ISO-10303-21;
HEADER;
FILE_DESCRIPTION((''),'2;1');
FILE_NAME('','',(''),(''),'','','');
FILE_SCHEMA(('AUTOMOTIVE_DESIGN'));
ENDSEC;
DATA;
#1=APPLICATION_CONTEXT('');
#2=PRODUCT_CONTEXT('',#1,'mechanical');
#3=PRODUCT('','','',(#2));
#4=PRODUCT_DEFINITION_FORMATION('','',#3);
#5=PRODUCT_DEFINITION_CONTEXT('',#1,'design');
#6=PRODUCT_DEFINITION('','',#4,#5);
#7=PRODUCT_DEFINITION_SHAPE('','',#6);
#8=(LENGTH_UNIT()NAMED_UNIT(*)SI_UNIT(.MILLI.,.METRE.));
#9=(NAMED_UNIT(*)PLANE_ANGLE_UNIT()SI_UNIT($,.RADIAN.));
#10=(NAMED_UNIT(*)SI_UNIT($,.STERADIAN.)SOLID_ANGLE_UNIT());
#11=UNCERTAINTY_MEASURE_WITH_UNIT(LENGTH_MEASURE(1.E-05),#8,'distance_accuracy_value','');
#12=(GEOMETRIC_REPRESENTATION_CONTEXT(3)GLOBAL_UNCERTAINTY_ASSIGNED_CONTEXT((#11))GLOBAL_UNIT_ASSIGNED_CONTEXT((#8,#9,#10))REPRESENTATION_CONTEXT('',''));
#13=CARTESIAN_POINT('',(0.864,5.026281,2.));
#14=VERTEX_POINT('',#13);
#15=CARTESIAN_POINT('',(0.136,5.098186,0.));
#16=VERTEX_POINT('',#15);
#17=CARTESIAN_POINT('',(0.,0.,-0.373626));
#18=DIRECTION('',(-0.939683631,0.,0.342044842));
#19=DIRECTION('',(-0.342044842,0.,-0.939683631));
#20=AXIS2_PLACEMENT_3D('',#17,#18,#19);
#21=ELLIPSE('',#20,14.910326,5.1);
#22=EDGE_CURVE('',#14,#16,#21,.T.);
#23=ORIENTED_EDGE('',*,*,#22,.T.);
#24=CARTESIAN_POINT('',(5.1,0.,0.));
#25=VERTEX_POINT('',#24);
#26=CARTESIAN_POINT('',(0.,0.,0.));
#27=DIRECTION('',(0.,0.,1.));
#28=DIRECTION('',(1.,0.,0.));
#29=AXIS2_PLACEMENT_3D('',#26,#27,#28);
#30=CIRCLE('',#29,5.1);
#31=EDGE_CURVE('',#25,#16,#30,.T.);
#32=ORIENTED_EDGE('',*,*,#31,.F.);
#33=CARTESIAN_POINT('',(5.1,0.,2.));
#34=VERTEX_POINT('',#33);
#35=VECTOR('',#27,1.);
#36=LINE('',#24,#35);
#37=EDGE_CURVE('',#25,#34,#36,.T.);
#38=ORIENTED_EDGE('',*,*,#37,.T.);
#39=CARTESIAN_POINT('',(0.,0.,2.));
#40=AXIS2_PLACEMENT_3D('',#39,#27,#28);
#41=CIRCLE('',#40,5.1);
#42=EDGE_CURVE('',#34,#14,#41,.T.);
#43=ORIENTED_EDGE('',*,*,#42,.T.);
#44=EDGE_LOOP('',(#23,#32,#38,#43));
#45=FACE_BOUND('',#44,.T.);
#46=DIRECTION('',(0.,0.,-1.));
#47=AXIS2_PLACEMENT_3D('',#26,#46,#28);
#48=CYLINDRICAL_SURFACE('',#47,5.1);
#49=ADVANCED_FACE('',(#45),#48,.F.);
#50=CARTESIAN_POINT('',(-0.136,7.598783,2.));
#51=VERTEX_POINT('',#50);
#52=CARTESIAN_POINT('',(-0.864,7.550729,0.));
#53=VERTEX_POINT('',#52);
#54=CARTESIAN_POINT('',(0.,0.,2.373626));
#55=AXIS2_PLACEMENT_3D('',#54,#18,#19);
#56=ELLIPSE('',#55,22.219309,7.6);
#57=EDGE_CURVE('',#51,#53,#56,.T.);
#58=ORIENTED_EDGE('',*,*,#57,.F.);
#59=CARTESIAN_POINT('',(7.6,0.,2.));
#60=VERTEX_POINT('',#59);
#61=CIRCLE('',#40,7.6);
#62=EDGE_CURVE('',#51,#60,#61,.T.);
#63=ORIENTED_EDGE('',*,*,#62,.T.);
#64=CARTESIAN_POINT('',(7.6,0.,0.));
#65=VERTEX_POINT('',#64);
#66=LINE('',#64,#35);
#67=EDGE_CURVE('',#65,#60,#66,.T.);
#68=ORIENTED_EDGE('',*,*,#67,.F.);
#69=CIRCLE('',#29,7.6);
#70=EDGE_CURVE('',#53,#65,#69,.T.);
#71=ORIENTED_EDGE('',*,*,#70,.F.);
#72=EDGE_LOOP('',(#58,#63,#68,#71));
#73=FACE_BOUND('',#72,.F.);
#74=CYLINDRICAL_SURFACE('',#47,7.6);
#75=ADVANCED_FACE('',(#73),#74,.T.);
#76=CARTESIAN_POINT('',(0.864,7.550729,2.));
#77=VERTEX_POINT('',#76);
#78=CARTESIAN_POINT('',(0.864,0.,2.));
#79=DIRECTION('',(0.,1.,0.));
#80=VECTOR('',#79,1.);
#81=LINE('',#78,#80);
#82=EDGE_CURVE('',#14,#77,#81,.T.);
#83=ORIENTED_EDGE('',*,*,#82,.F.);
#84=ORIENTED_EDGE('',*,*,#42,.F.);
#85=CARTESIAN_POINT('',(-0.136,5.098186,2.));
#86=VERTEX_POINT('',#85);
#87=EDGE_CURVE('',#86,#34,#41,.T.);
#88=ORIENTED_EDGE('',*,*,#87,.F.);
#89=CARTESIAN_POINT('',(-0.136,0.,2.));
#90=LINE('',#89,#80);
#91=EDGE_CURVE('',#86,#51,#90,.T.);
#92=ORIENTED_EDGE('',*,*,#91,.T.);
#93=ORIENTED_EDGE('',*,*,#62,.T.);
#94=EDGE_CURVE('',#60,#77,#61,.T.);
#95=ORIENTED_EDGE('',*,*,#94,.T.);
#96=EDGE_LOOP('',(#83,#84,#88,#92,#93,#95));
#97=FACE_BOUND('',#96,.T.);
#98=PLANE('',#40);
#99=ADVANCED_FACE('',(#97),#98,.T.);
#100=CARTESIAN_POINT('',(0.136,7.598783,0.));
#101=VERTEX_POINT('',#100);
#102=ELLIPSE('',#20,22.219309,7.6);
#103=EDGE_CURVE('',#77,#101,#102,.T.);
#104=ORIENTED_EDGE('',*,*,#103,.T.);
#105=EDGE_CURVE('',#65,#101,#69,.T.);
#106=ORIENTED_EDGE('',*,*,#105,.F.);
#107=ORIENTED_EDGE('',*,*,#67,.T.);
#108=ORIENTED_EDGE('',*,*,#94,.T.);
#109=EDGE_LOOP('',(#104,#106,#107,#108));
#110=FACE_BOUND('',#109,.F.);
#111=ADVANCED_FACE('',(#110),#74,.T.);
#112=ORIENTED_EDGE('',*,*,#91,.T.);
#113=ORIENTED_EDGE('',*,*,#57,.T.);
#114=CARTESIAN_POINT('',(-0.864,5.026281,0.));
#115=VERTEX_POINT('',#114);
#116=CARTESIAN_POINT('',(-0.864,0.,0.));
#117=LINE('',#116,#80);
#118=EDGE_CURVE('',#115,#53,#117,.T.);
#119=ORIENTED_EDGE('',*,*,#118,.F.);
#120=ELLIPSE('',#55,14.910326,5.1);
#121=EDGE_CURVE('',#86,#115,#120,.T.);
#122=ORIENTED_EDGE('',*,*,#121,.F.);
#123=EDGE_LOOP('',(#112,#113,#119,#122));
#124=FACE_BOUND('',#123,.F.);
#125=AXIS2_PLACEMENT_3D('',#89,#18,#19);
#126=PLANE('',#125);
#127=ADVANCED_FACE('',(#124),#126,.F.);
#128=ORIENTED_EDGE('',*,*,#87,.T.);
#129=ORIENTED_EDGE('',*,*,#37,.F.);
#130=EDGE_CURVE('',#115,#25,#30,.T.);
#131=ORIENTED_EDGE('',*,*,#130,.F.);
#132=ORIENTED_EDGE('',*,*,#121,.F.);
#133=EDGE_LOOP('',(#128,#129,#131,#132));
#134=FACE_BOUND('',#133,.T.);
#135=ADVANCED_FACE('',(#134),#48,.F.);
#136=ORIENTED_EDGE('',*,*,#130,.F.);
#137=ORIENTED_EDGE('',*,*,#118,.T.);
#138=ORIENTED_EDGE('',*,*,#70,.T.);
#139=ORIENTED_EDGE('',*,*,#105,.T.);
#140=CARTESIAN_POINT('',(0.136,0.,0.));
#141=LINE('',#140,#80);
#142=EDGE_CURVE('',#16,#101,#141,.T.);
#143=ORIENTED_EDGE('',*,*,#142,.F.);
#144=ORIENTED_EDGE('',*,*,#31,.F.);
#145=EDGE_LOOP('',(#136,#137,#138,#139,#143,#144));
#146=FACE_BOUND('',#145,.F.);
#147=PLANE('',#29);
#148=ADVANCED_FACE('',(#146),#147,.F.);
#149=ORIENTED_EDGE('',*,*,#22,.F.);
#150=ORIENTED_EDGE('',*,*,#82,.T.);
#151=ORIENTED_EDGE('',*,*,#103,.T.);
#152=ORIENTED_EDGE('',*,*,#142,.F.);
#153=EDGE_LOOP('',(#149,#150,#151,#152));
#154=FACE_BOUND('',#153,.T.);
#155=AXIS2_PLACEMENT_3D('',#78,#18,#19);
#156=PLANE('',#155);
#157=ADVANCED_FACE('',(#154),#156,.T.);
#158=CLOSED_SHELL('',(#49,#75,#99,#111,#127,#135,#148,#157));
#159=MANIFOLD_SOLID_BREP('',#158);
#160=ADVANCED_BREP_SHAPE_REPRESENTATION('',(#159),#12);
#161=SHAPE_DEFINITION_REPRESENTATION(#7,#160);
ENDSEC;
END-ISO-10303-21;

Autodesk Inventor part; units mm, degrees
ref_plane "XZ Plane" through (0, 0, 0) normal (0, 1, 0) x (-1, 0, 0)
ref_plane "XY Plane" through (0, 0, 0) normal (0, 0, 1) x (1, 0, 0)
sketch "Sketch1" plane through (0, 0, 0) normal (0, 0, 1) x (1, 0, 0)
  circle A0 centre (0, 0) radius 7.6
  circle A1 centre (0, 0) radius 5.1
  line L0 (-2.59, 0) -> (2.59, 0) construction
  line L1 (0, -2.59) -> (0, 2.59) construction
  dimension "d0" = 15.2
  dimension "d1" = 10.2
extrude "Выдавливание1" add sketch "Sketch1" along normal blind 2
sketch "Sketch2" plane through (0, 0, 0) normal (0, 1, 0) x (-1, 0, 0)
  line L0 (-5.1, 2) -> (5.1, 2) construction
  line L1 (5.1, 0) -> (-5.1, 0) construction
  line L2 (-0.864, 2) -> (-0.136, 0)
  line L3 (0.136, 2) -> (0.864, 0)
  line L4 (0, 0) -> (0, 2) construction
  line L5 (0, 1) -> (-0.364, 2) construction
  line L6 (-0.864, 2) -> (0.136, 2)
  line L7 (-0.136, 0) -> (0.864, 0)
  dimension "d4" = 70
  dimension "d13" = 1
extrude "Выдавливание2" cut sketch "Sketch2" along normal through all
ref_plane "Work Plane1" through (0, 0, 0) normal (1, 0, 0) x (0, 1, 0)
equation "\"d0\" = d + 2 * b"
equation "\"d1\" = d"
equation "\"d2\" = s_"
equation "\"d4\" = Angle"
equation "\"d13\" = 0.5 * s_"
equation "\"d7\" = s_"
equation "\"d\" = 10.2"
equation "\"b\" = 2.5"
equation "\"s_\" = 2"
equation "\"D_\" = 15.2"
equation "\"Angle\" = 70deg"
properties part number "Шайба 2 10Л ГОСТ 6402-78" material "Сталь, мягкая"
